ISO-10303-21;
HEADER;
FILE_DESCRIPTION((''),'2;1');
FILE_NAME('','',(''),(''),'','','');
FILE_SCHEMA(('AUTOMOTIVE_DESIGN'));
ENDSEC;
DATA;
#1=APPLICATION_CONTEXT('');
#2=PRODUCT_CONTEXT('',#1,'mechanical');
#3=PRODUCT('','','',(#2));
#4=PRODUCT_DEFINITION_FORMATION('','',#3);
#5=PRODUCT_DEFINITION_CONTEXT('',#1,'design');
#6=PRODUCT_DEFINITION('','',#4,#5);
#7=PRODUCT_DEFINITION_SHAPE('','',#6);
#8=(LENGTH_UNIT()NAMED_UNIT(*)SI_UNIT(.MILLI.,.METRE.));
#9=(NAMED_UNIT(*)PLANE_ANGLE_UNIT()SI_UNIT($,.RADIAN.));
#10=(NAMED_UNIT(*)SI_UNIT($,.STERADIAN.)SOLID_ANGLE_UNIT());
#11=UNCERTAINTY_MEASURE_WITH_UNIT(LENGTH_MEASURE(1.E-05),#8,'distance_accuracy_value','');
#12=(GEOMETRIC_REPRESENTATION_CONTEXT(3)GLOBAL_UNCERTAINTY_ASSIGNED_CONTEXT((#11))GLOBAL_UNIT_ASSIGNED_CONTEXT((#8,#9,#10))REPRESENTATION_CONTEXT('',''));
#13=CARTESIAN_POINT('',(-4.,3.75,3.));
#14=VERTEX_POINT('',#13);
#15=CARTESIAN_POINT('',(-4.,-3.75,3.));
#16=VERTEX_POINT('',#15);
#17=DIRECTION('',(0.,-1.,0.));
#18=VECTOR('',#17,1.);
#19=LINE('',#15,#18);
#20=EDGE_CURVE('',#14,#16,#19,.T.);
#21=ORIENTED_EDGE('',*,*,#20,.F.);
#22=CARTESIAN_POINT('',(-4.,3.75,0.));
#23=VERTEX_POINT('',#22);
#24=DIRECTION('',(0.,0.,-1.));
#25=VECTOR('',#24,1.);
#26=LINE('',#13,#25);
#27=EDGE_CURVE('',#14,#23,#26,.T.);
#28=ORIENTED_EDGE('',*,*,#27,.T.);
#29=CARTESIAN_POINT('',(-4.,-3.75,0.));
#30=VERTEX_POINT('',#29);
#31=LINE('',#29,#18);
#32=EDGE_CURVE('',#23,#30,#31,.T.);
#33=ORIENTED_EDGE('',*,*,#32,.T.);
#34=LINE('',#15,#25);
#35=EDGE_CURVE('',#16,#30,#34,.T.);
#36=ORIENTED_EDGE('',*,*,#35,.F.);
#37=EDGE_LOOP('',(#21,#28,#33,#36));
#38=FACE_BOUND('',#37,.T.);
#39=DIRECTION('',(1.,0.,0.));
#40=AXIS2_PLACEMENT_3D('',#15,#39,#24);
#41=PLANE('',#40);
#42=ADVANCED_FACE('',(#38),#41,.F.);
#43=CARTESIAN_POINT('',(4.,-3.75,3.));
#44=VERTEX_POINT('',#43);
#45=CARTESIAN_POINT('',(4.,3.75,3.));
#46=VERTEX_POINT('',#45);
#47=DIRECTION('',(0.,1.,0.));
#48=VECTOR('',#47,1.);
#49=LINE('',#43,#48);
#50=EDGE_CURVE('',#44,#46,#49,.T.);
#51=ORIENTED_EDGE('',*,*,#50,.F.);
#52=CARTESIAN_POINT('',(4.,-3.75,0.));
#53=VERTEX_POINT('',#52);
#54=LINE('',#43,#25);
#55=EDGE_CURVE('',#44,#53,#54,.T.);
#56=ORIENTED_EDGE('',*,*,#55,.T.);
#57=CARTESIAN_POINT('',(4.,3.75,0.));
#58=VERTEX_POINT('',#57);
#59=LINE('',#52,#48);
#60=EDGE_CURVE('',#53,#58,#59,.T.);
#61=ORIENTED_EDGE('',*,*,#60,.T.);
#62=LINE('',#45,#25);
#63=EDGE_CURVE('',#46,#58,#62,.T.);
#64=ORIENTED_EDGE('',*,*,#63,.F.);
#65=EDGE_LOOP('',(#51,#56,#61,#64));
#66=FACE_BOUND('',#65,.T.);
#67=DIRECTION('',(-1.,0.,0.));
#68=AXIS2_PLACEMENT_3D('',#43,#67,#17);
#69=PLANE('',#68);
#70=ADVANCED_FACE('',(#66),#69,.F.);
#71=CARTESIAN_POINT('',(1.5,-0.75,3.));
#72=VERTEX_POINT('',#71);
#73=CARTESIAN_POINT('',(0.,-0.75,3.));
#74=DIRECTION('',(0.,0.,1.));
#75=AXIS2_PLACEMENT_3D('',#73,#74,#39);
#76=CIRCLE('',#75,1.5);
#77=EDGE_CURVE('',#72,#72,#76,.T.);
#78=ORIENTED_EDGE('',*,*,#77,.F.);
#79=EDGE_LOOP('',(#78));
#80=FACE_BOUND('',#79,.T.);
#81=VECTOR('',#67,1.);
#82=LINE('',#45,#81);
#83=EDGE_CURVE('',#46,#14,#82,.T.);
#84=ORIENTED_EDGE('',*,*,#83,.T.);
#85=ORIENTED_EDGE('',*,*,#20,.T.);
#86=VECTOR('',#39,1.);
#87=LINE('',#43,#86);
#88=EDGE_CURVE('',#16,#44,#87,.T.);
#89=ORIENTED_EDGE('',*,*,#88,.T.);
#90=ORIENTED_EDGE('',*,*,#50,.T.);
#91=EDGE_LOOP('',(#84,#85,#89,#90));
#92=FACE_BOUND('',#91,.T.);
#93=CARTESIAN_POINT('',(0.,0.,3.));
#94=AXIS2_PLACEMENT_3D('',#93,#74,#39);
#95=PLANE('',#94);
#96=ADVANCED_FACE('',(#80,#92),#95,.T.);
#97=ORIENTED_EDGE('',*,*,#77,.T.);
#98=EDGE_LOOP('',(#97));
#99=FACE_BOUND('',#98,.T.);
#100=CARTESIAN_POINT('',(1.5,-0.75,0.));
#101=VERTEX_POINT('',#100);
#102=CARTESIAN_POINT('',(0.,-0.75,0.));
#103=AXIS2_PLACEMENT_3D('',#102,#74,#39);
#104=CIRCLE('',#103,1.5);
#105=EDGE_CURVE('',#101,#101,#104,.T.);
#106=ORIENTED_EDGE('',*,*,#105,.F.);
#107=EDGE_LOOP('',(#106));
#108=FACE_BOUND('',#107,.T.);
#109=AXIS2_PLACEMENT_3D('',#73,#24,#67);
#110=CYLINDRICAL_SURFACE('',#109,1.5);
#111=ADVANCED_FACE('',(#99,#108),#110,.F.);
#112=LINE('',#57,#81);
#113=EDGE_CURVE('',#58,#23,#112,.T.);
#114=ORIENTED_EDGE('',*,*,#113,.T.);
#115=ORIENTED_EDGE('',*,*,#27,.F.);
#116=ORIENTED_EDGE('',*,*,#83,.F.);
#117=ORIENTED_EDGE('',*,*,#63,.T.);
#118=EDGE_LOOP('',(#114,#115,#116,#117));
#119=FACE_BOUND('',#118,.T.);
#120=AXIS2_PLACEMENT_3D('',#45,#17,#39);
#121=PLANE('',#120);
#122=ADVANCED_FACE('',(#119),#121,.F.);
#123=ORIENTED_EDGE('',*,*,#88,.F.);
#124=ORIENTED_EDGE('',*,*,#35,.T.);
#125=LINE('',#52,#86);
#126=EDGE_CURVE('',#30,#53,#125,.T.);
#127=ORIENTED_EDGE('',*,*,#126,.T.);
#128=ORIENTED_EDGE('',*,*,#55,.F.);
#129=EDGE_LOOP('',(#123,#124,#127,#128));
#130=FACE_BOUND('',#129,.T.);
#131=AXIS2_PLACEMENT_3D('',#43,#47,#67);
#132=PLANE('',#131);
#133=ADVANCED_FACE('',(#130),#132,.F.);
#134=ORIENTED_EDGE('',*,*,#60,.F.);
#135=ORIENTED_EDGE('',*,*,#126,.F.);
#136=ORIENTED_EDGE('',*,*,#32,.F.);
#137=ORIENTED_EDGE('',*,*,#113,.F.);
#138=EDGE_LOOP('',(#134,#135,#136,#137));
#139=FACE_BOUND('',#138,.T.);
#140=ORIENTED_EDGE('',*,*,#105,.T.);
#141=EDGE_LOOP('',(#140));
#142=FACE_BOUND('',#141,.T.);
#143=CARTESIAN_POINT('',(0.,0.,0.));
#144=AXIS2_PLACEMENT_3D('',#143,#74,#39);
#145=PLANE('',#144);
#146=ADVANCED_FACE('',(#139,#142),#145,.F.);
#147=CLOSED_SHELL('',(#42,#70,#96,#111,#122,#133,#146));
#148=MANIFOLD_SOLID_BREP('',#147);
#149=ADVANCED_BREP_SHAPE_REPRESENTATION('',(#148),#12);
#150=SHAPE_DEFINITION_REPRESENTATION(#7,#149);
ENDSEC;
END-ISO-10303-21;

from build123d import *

# Parameters (mm, degrees)
ESBO_O1_W                = 8
ESBO_O1_H                = 7.5
ESBO_O1_R                = 1.5
RESSALTO_EXTRUS_O1_DEPTH = 3


with BuildPart() as part:
    # Esboço1 → Ressalto-extrusão1 (new body)
    with BuildSketch(Plane.XY):
        Rectangle(ESBO_O1_W, ESBO_O1_H)
        with Locations((0, -0.75)):
            Circle(ESBO_O1_R, mode=Mode.SUBTRACT)
    extrude(amount=RESSALTO_EXTRUS_O1_DEPTH)


solid = part.part
